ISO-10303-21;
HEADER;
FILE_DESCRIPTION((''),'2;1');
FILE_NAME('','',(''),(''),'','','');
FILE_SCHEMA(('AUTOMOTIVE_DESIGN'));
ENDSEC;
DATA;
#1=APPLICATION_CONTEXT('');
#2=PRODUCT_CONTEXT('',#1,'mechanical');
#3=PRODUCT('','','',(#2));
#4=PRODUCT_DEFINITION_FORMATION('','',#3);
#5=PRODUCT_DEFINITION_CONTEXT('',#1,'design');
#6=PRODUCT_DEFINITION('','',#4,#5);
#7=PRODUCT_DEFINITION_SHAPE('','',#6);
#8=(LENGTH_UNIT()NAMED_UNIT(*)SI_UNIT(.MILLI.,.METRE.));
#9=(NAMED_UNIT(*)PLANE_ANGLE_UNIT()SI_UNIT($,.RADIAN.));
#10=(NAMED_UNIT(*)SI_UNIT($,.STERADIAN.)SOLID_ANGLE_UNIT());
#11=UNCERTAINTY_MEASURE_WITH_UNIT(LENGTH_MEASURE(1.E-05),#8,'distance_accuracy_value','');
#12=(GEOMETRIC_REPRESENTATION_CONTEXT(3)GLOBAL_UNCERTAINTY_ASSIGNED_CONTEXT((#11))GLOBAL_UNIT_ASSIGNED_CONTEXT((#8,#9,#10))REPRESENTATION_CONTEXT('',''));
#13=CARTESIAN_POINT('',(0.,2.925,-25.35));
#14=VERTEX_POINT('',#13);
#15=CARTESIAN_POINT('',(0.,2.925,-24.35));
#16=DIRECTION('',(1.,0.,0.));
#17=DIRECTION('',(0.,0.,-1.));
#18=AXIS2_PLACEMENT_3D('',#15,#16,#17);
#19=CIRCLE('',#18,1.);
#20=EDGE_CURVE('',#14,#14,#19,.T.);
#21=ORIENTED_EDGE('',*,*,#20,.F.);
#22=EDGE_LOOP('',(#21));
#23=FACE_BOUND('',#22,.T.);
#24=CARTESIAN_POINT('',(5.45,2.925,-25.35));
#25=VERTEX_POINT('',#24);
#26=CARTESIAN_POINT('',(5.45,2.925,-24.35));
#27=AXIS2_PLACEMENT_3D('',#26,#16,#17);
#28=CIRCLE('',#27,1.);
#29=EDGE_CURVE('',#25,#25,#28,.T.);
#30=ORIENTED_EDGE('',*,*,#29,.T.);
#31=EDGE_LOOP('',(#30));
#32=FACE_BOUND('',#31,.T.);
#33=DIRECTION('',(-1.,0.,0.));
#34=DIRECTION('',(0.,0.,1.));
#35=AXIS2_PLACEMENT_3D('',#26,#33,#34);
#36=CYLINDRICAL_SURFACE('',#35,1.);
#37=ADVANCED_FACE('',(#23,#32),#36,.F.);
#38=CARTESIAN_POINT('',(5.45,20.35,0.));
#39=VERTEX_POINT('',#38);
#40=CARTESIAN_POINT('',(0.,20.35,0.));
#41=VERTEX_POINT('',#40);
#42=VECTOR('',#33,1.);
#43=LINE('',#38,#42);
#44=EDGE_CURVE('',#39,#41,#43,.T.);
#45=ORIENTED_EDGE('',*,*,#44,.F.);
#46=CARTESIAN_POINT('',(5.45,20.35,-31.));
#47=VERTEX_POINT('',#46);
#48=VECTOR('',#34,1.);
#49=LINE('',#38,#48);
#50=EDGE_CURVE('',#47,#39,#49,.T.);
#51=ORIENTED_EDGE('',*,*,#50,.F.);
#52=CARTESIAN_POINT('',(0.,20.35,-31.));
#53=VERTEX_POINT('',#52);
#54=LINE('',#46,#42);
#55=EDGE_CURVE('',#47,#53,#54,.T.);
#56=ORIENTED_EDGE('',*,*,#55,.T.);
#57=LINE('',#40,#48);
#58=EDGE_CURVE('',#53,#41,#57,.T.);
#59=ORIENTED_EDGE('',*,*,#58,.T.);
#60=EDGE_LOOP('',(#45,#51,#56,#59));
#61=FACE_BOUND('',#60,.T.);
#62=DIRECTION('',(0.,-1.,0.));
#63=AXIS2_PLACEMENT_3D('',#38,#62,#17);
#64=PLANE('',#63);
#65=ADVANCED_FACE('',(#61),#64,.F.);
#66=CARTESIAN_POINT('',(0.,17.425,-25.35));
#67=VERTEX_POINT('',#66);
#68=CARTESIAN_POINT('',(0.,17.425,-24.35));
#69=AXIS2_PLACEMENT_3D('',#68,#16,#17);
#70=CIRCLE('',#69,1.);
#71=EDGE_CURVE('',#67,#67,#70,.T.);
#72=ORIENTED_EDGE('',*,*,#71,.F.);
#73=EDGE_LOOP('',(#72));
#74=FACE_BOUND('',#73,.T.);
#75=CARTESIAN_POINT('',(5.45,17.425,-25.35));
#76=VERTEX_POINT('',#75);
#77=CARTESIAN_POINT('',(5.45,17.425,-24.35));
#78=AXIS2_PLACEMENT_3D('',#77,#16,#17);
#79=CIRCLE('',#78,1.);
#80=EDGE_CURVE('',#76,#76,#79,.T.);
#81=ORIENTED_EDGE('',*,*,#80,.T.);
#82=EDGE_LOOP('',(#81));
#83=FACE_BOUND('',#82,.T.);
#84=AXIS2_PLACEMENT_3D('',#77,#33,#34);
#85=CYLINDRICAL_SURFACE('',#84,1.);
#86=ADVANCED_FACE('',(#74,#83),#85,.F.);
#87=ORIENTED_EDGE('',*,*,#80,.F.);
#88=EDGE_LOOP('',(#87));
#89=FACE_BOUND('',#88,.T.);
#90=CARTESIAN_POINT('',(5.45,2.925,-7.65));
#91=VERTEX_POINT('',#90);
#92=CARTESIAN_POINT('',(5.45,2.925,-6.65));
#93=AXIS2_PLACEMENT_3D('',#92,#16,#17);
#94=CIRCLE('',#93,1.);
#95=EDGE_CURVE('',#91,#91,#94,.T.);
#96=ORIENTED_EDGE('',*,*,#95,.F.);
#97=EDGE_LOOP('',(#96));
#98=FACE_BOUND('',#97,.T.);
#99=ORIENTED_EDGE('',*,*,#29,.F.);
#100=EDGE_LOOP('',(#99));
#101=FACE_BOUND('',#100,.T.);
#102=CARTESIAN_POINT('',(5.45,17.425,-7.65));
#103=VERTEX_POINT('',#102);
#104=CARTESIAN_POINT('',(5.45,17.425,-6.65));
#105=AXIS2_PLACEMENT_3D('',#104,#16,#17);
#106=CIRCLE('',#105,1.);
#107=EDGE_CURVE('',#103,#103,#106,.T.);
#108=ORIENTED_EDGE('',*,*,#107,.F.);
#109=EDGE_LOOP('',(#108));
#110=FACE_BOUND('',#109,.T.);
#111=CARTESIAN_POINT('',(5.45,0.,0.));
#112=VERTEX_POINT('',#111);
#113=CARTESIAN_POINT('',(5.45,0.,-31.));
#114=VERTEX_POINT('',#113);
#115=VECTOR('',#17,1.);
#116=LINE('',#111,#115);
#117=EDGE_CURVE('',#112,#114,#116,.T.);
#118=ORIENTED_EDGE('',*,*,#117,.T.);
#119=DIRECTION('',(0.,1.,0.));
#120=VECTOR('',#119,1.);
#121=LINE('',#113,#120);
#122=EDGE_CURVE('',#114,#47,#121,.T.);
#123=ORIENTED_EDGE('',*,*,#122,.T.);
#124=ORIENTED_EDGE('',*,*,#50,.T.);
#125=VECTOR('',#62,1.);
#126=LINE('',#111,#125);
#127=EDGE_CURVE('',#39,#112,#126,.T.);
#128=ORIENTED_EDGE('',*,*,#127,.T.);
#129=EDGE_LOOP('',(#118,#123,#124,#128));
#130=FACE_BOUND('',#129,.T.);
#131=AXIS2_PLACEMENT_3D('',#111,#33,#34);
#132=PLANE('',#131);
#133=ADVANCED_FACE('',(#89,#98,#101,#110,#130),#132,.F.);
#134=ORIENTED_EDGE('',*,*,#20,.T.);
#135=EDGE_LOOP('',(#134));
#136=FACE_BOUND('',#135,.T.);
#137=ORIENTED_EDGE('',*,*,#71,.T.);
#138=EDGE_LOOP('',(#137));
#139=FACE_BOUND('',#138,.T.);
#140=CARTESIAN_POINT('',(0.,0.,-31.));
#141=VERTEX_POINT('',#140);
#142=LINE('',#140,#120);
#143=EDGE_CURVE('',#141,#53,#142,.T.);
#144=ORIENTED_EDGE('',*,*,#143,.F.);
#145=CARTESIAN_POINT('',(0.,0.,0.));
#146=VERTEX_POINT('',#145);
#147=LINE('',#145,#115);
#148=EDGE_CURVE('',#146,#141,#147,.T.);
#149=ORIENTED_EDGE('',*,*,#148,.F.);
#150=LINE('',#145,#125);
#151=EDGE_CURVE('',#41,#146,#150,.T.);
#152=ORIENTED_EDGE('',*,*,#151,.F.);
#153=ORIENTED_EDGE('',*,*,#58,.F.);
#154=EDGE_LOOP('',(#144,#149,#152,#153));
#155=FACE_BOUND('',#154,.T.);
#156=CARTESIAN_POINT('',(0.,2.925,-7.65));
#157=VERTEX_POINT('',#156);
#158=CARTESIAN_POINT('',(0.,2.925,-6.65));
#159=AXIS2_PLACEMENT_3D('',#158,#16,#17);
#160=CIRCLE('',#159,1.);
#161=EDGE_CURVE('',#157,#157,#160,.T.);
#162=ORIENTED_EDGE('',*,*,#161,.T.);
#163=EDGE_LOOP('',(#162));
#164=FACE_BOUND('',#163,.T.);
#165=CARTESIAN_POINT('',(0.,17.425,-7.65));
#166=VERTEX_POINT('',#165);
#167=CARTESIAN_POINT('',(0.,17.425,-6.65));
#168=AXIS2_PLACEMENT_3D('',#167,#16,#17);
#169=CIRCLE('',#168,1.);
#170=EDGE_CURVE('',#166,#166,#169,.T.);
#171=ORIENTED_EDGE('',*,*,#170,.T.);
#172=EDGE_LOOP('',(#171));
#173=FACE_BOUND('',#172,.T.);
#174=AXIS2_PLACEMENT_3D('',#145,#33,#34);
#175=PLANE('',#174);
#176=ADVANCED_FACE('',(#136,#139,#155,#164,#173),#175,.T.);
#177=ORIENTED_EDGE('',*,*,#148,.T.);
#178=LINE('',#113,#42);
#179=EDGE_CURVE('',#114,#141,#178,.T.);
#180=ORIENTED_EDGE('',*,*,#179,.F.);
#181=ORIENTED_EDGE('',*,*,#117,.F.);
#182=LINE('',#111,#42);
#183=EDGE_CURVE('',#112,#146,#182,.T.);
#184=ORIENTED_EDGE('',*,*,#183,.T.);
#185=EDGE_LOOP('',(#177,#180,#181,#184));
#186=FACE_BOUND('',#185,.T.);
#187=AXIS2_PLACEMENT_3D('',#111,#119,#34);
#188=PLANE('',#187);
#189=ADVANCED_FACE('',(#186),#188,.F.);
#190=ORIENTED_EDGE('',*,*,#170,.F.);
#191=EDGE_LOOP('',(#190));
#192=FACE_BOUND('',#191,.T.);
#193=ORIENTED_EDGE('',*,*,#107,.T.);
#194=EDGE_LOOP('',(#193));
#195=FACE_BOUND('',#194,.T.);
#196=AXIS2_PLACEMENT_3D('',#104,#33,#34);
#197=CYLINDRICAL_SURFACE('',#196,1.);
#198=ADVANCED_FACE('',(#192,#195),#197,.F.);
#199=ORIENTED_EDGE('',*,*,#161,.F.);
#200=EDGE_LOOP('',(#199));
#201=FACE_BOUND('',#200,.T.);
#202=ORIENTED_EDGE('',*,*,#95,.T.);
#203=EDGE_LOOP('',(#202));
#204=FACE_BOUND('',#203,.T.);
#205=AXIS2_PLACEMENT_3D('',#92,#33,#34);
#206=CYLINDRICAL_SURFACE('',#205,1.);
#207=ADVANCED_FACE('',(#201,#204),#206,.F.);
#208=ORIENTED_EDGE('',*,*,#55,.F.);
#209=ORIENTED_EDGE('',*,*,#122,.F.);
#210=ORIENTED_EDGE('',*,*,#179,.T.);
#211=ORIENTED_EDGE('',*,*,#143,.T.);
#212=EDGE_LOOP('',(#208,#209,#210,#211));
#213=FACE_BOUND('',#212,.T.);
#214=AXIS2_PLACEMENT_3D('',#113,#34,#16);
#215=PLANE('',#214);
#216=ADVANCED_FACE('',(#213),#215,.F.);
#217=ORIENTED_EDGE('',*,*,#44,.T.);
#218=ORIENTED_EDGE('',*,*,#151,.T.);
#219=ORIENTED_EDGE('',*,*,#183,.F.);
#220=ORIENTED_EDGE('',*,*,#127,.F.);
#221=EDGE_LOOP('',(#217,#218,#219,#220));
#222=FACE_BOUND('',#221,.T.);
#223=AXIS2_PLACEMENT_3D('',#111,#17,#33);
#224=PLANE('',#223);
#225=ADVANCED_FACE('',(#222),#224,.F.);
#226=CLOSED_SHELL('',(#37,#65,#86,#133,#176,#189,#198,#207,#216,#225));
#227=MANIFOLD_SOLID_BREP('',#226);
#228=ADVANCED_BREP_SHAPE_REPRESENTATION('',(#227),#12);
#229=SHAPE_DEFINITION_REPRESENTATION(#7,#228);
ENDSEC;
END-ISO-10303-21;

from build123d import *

# Parameters (mm, degrees)
SKETCH1_W           = 31
SKETCH1_H           = 20.35
SKETCH1_R           = 1
BOSS_EXTRUDE1_DEPTH = 5.45


with BuildPart() as part:
    # Sketch1 → Boss-Extrude1 (new body)
    with BuildSketch(Plane(origin=(0, 0, 0), x_dir=(0, 0, -1), z_dir=(1, 0, 0))):
        with Locations((15.5, 10.175)):
            Rectangle(SKETCH1_W, SKETCH1_H)
        with Locations((6.65, 2.925)):
            Circle(SKETCH1_R, mode=Mode.SUBTRACT)
        with Locations((6.65, 17.425)):
            Circle(SKETCH1_R, mode=Mode.SUBTRACT)
        with Locations((24.35, 17.425)):
            Circle(SKETCH1_R, mode=Mode.SUBTRACT)
        with Locations((24.35, 2.925)):
            Circle(SKETCH1_R, mode=Mode.SUBTRACT)
    extrude(amount=BOSS_EXTRUDE1_DEPTH)


solid = part.part
